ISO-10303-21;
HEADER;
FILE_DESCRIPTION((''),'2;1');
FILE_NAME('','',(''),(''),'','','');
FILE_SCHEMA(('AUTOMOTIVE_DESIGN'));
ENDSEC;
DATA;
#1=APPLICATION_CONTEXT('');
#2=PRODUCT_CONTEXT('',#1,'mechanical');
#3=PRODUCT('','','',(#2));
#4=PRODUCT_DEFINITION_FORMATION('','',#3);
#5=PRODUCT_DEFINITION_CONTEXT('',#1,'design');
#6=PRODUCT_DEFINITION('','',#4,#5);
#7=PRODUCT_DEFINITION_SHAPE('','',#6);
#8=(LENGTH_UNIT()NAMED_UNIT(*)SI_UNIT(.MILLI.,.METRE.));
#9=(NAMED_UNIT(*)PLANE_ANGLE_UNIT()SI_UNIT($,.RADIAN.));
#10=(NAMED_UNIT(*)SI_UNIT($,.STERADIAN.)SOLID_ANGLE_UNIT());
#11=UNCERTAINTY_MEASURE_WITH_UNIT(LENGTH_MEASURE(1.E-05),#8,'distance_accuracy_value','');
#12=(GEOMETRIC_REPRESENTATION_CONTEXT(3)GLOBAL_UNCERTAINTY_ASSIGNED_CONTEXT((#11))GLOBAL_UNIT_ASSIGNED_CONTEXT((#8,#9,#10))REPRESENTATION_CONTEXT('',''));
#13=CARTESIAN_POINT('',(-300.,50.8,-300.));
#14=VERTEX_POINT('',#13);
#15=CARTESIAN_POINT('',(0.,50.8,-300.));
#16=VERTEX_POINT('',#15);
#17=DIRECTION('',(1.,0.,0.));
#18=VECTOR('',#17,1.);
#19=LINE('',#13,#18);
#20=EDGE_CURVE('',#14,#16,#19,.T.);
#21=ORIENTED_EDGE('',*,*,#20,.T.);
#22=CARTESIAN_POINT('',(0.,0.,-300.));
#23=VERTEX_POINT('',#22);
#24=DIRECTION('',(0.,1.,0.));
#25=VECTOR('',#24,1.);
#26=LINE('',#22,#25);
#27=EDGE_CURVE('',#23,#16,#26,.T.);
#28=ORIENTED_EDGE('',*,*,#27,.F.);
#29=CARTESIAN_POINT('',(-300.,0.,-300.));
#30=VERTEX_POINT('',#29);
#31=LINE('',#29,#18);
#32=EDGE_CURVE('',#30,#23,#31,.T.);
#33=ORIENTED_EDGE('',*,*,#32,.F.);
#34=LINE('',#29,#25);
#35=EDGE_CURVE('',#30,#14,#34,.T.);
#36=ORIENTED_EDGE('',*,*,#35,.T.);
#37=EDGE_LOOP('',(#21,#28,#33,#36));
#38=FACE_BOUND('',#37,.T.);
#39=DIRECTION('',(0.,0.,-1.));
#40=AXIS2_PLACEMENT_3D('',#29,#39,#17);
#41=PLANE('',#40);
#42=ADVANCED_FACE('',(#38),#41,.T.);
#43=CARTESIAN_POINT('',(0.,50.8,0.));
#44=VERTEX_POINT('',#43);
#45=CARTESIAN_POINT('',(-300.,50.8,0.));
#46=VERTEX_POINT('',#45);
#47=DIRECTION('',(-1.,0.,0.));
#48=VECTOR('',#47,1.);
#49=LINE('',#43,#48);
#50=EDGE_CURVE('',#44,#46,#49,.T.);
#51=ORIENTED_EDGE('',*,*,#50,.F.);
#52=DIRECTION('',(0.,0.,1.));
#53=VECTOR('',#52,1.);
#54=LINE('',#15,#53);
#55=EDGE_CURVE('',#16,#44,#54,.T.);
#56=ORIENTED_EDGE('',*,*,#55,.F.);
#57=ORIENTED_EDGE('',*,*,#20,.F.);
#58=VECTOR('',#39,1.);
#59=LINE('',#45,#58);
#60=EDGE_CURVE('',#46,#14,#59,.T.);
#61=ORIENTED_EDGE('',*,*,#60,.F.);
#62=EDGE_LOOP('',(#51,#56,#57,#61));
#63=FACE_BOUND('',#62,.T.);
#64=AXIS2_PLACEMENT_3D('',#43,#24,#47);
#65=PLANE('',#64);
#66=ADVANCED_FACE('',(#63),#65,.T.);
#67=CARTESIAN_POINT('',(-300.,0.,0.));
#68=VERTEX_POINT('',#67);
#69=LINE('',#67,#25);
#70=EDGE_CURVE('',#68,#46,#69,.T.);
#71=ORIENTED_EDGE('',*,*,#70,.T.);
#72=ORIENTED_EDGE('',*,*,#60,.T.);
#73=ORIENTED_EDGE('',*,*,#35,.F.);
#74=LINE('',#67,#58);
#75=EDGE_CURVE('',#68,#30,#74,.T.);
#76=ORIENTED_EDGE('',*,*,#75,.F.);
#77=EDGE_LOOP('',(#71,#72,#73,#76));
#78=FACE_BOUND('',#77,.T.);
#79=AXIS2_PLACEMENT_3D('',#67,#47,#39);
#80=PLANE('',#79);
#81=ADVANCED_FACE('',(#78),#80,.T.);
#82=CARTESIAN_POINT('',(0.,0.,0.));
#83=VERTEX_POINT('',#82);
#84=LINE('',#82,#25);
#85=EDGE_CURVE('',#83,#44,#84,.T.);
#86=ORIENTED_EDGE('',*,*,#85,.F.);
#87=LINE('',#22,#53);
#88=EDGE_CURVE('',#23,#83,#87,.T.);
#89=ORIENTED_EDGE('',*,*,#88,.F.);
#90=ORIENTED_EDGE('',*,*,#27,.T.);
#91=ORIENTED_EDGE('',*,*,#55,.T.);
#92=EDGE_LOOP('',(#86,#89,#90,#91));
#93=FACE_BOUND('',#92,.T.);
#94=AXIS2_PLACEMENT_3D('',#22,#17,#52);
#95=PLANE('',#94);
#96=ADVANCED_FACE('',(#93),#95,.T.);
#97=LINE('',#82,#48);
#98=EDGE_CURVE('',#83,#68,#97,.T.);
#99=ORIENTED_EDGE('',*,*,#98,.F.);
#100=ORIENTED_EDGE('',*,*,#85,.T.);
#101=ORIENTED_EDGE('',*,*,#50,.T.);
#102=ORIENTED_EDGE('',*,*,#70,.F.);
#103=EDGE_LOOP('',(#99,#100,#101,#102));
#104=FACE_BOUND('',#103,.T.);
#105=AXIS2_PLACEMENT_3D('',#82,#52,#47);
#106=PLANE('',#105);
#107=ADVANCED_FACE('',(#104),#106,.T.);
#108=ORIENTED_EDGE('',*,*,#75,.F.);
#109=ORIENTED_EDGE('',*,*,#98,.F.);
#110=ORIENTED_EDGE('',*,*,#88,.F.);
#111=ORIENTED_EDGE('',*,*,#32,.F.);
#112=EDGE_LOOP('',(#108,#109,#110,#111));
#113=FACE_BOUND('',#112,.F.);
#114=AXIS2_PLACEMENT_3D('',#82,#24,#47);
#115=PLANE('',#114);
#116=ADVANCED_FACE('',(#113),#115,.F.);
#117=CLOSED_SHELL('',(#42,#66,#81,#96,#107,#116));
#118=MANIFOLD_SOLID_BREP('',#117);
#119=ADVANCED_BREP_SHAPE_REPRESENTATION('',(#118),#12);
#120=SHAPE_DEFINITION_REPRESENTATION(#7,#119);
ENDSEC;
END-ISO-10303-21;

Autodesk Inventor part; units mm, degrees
ref_plane "YZ Plane" through (0, 0, 0) normal (1, 0, 0) x (0, 1, 0)
ref_plane "XZ Plane" through (0, 0, 0) normal (0, 1, 0) x (-1, 0, 0)
ref_plane "XY Plane" through (0, 0, 0) normal (0, 0, 1) x (1, 0, 0)
sketch "Sketch1" plane through (0, 0, 0) normal (0, 1, 0) x (-1, 0, 0)
  line L0 (0, 0) -> (300, 0)
  line L1 (300, 0) -> (300, -300)
  line L2 (300, -300) -> (0, -300)
  line L3 (0, -300) -> (0, 0)
  dimension "d0" = 300
  dimension "d1" = 300
extrude "Extrusion1" add sketch "Sketch1" along normal blind 50.8
properties part number "Tile" material "Polycarbonate, Smoke"
